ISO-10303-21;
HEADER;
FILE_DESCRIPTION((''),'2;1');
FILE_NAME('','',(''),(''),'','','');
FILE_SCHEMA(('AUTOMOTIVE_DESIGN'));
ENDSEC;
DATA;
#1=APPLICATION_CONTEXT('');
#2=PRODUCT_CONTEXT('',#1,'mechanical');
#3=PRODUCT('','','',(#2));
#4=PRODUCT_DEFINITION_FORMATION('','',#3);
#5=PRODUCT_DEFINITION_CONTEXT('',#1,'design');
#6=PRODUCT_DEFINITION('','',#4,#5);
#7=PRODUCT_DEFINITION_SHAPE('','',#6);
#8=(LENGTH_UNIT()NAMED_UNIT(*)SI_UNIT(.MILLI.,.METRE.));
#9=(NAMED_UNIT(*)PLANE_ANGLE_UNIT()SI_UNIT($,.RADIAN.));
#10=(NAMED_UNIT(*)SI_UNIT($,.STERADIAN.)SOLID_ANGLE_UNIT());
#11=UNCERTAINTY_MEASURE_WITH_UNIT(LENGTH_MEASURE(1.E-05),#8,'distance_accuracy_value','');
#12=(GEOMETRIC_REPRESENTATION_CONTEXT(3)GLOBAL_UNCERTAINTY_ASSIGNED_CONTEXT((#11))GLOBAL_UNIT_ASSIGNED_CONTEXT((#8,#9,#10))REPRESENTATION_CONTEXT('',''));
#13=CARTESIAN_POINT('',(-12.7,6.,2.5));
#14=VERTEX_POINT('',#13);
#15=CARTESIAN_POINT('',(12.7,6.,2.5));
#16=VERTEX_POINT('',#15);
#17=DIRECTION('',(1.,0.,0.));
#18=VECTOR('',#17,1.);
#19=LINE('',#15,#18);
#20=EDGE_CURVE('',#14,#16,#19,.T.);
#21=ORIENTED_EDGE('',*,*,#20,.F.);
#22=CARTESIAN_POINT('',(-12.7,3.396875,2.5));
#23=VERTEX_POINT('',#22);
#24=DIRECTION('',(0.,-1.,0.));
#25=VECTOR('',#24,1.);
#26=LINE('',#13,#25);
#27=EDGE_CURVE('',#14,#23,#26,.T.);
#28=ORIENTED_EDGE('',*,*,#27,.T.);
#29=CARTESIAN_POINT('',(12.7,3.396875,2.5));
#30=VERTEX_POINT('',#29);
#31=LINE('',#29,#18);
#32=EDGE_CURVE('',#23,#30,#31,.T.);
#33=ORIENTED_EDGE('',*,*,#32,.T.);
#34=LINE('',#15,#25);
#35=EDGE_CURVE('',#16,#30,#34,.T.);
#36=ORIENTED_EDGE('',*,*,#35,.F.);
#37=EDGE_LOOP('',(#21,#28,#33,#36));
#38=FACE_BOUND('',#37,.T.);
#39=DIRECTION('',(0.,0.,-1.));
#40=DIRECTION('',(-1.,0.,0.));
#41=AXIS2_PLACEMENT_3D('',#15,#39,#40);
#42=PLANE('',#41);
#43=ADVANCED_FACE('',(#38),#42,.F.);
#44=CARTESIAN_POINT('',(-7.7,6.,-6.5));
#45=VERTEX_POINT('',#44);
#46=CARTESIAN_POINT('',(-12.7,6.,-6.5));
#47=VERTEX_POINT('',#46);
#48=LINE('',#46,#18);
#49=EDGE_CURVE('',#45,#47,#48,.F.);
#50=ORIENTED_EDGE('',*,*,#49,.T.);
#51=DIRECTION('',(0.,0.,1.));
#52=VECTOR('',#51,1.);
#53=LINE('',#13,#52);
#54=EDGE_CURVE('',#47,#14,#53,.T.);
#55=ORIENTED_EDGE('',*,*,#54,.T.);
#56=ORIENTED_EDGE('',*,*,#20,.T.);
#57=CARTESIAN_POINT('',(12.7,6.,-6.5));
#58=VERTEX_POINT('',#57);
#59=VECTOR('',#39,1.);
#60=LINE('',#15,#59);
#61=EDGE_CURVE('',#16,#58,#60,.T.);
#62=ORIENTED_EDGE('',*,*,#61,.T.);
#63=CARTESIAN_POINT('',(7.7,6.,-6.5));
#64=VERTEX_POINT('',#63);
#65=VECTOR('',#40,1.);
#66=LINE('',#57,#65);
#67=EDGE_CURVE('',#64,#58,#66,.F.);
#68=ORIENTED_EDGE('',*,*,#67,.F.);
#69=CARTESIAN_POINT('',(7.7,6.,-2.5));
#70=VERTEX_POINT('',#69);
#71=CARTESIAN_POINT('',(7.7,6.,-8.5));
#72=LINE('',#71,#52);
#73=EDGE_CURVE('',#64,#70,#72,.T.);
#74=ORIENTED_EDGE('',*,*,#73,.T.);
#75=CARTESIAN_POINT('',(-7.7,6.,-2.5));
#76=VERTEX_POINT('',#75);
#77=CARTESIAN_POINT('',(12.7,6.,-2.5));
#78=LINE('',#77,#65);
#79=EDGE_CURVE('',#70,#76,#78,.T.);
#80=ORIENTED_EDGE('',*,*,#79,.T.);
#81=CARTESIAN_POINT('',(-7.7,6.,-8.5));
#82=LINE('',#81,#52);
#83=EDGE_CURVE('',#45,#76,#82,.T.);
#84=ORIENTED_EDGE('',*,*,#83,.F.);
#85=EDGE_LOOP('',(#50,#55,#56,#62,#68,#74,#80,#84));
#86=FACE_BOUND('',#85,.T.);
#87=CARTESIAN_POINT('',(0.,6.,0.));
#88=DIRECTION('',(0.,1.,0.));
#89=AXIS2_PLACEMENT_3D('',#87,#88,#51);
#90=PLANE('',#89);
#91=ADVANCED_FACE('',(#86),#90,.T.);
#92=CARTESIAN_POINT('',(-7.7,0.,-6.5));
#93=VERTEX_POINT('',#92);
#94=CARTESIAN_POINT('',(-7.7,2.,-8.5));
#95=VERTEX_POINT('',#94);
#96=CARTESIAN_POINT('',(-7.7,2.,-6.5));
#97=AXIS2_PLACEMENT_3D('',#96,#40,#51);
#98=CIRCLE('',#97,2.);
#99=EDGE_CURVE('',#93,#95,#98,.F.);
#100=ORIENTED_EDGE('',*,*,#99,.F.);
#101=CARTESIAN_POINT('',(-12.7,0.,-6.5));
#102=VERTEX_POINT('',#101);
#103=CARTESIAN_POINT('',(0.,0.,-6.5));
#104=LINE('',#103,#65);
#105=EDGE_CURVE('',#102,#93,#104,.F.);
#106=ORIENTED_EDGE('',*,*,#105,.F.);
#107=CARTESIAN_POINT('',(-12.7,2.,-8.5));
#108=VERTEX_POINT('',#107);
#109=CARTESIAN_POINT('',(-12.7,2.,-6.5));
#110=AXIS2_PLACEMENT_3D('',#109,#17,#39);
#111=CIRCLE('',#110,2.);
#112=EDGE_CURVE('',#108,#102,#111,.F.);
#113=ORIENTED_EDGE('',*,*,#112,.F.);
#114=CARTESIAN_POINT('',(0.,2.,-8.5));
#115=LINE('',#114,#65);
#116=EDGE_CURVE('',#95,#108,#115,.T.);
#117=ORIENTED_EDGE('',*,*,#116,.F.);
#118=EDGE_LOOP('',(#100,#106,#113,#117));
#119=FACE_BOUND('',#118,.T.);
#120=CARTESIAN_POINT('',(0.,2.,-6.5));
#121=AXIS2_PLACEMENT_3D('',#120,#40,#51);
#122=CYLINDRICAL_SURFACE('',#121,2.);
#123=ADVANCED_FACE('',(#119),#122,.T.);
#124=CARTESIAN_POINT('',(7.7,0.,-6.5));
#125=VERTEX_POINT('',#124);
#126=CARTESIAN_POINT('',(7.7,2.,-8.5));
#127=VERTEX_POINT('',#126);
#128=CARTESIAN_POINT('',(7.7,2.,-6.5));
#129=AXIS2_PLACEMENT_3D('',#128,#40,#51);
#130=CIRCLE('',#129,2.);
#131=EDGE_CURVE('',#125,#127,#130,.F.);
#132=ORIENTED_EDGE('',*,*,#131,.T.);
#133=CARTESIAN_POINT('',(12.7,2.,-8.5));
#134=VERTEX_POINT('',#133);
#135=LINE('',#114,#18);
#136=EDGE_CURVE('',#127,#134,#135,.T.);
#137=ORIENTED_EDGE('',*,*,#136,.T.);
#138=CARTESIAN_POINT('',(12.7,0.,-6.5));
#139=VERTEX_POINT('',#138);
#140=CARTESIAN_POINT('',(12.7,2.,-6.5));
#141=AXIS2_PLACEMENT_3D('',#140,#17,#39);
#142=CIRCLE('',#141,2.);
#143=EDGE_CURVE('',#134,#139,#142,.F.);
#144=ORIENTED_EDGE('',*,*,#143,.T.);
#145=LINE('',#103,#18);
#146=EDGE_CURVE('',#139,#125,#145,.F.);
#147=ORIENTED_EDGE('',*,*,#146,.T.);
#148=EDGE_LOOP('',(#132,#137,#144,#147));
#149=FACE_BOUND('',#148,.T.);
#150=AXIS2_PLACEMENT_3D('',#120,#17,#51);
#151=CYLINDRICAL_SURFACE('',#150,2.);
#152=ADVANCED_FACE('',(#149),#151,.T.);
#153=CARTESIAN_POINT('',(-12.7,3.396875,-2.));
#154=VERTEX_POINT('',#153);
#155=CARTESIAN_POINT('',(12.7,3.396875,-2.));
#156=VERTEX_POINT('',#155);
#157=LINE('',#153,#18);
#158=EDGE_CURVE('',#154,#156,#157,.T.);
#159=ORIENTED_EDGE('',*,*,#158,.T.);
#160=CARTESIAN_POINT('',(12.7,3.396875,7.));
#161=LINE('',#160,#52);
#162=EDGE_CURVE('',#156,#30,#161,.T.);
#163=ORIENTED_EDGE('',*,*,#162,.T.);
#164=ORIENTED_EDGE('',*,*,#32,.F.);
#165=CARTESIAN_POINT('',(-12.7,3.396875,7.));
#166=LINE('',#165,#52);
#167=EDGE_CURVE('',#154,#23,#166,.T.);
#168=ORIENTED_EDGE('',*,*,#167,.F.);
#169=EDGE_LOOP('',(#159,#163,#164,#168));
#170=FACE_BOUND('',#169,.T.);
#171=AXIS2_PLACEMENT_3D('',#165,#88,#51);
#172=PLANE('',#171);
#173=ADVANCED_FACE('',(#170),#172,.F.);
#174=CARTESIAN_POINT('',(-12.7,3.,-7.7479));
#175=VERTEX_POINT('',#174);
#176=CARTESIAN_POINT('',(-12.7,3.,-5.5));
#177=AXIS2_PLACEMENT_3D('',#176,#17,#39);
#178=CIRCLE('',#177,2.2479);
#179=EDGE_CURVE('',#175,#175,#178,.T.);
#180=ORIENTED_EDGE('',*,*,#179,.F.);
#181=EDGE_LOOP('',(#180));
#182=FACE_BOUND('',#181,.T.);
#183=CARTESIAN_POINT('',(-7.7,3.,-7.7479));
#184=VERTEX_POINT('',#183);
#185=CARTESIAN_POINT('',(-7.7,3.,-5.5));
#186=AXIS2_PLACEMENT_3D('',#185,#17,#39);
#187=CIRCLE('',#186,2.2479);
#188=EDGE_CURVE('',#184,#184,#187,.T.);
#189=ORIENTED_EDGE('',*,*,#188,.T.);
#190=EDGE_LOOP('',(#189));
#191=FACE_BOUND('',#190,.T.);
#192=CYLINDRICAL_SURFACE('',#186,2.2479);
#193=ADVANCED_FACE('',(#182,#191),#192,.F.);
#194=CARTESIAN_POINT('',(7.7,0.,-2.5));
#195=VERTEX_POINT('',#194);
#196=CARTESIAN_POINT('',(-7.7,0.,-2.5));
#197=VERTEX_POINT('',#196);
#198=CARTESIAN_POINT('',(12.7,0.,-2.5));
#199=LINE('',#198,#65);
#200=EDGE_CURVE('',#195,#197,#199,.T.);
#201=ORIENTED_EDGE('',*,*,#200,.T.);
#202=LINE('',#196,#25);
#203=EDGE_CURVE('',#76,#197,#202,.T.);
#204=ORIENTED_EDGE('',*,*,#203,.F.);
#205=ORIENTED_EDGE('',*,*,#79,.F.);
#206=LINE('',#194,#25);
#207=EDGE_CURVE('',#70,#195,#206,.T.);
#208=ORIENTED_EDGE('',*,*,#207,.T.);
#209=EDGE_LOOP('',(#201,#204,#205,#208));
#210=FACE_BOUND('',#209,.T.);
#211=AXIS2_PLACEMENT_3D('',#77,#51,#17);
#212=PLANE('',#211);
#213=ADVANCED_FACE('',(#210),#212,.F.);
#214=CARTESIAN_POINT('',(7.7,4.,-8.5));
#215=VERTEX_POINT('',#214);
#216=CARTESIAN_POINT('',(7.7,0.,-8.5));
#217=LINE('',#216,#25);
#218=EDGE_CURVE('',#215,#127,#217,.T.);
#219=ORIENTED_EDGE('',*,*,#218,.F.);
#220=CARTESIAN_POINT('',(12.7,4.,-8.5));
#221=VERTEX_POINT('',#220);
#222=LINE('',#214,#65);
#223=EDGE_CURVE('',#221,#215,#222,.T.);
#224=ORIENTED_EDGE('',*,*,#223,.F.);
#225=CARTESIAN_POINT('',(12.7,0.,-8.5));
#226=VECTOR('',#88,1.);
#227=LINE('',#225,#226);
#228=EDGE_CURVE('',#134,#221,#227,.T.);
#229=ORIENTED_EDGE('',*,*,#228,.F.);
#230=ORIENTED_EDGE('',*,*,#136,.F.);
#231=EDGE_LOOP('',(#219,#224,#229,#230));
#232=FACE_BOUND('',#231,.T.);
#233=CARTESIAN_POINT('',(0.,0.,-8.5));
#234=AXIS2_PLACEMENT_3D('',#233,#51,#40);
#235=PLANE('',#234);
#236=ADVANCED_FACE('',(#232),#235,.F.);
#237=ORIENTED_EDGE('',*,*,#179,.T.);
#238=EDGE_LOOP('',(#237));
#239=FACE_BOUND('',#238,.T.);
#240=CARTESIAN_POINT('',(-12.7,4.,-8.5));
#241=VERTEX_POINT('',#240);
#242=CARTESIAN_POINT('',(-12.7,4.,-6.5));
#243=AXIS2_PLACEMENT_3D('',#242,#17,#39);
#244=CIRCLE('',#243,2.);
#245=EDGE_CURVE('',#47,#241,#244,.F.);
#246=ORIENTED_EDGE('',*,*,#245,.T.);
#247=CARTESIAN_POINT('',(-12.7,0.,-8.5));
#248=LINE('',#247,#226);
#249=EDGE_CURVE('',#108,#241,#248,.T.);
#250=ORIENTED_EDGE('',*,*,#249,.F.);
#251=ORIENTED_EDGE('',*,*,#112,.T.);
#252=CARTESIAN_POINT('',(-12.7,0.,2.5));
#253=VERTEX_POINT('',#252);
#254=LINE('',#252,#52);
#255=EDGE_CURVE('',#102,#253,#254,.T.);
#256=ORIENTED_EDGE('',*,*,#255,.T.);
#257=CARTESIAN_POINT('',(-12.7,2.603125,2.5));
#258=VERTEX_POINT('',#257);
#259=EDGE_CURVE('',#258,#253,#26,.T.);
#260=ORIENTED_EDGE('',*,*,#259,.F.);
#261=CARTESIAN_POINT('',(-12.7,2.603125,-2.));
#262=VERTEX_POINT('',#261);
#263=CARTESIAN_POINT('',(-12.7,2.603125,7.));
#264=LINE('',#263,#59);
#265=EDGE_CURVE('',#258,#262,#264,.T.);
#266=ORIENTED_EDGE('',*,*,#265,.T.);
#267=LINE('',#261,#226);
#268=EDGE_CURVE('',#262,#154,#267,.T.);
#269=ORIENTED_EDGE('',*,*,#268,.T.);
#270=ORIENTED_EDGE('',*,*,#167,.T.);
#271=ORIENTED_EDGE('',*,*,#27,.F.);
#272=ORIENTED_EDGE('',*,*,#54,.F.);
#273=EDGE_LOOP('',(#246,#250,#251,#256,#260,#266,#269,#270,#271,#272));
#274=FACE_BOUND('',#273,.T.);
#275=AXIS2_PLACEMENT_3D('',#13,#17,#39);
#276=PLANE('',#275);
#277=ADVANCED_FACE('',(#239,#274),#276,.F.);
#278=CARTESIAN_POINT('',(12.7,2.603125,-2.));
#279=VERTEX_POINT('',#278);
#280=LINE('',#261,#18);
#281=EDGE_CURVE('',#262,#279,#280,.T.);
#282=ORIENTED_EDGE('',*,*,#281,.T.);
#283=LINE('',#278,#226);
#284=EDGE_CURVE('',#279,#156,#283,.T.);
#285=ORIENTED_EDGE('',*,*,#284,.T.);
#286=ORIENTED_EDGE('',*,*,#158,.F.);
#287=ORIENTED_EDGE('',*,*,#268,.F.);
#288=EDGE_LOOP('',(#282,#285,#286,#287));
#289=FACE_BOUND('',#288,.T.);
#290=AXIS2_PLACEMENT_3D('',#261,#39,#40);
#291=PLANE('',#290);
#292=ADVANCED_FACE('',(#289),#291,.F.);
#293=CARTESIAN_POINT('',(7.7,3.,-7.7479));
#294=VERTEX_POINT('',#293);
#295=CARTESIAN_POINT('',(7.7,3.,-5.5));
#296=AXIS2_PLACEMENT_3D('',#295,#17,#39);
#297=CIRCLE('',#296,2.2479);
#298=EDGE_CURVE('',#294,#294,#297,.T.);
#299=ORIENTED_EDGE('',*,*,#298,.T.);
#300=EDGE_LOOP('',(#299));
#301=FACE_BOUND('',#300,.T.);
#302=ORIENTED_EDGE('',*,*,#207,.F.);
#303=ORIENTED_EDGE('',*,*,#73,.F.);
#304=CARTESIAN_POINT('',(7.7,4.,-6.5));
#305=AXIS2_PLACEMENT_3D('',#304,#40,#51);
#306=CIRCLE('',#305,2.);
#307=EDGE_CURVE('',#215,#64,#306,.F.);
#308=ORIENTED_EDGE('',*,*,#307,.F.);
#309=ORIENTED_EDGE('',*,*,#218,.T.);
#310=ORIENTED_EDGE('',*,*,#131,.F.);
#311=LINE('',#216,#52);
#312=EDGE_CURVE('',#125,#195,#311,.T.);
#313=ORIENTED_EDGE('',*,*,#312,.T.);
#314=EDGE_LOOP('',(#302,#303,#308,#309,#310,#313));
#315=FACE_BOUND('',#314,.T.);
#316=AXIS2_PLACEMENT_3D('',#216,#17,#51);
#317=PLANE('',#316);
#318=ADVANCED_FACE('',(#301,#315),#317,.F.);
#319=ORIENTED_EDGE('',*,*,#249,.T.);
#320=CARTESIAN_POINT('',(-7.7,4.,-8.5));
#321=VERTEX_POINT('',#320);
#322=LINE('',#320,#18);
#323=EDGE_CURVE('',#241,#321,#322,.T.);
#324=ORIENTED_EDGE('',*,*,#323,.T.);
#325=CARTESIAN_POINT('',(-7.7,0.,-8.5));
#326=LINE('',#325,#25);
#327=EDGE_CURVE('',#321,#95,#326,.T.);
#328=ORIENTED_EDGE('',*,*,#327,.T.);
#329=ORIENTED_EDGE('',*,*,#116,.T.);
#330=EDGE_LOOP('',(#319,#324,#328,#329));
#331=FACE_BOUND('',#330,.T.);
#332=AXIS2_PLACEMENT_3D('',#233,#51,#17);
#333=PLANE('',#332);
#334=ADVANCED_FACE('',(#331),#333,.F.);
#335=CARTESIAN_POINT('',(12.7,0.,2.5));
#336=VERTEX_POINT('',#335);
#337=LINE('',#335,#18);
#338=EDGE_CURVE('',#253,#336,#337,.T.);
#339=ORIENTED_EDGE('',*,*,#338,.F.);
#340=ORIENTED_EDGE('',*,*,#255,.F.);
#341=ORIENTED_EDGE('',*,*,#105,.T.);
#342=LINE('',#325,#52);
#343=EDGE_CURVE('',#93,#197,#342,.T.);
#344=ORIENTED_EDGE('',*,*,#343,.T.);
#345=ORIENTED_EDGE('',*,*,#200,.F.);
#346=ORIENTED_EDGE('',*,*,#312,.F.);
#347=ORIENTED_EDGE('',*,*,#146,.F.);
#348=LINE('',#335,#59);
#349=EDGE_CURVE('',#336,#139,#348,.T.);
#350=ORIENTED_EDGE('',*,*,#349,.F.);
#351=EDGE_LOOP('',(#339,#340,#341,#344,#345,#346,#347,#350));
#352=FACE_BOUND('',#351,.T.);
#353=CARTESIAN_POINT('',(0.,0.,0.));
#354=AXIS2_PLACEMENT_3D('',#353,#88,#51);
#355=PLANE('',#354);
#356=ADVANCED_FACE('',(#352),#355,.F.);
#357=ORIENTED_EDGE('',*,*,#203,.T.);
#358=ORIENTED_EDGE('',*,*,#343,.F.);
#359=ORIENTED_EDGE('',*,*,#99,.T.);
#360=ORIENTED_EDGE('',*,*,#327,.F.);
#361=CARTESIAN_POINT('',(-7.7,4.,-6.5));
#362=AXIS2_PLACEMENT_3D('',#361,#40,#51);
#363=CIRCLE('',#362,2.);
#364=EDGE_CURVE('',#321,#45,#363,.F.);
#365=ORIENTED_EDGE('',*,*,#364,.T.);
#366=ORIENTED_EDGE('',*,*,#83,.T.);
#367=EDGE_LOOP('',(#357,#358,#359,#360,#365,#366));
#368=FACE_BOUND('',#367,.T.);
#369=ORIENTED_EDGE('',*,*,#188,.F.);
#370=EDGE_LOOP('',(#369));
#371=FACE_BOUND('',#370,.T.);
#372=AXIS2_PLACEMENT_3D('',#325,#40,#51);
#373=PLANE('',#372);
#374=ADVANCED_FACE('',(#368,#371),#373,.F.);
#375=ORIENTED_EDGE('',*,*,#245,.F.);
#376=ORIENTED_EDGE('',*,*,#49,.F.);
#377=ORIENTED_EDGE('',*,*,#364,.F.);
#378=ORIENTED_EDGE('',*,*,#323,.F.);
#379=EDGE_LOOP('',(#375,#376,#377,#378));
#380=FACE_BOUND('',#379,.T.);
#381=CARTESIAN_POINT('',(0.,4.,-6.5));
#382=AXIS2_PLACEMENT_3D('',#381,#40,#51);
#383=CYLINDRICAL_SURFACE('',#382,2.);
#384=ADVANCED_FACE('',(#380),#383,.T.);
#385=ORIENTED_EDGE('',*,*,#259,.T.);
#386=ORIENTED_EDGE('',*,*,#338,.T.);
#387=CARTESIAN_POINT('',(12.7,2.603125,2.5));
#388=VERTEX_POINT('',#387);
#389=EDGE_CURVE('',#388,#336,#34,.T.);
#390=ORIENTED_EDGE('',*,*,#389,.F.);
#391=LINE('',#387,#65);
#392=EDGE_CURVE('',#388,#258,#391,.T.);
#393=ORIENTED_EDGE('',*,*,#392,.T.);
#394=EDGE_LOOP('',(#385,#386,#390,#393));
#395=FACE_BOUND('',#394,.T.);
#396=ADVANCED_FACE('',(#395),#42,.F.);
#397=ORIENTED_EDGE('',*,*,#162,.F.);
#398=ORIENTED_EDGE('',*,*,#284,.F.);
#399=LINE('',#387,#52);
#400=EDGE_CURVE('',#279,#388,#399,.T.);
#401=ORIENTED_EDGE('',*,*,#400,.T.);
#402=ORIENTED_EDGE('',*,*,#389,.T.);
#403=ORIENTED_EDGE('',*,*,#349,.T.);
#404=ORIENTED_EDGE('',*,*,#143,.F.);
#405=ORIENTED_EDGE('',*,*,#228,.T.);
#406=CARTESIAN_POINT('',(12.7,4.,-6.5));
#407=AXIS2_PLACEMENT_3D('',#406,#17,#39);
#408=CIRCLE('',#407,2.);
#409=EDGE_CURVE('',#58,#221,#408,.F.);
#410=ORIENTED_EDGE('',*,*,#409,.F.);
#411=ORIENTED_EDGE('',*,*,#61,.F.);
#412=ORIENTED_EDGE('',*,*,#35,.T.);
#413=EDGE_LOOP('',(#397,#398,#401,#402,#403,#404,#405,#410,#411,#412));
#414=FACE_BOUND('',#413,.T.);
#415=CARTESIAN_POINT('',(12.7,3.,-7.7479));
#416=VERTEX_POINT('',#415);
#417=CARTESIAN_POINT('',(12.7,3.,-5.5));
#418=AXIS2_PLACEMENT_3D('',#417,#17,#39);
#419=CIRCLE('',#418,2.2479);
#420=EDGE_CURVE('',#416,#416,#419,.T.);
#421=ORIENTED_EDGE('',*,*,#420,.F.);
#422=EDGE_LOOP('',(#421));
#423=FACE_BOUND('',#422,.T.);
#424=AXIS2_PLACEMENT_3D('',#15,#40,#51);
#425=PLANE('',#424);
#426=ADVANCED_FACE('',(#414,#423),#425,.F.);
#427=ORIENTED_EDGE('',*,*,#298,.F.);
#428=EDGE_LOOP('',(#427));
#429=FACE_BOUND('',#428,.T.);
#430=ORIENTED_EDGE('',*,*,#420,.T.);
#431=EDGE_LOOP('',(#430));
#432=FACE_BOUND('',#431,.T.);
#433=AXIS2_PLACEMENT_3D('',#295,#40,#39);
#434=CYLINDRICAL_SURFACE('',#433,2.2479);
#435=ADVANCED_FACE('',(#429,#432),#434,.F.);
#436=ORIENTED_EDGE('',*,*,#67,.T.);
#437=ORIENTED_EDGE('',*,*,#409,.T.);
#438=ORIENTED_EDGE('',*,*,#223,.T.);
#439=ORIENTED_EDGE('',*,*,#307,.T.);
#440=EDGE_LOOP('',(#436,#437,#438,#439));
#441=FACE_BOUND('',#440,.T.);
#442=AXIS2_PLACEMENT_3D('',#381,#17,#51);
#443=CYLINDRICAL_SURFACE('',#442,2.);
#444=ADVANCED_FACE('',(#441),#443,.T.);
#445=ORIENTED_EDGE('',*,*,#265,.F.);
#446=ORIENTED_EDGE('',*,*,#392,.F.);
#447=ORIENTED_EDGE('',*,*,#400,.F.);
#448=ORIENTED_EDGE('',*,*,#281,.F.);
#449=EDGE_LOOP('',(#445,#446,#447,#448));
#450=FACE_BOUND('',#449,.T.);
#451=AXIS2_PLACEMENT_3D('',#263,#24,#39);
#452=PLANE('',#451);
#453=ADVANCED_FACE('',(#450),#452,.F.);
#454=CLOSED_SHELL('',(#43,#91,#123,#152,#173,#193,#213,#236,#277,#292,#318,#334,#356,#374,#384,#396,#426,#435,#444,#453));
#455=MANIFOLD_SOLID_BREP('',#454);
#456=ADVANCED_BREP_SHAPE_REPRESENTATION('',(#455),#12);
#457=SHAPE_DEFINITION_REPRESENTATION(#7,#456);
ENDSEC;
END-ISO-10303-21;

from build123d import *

# Parameters (mm, degrees)
SKETCH1_W             = 25.4
SKETCH1_H             = 5
BOSS_EXTRUDE1_DEPTH   = 6
SKETCH2_W             = 9
SKETCH2_H             = 0.79375
CUT_EXTRUDE1_DEPTH    = 27.218504915
SKETCH6_W             = 5
SKETCH6_H             = 6
BOSS_EXTRUDE2_DEPTH   = 6
F_8_CLEARANCE_HOLE1_D = 4.4958
FILLET1_R             = 2


with BuildPart() as part:
    # Sketch1 → Boss-Extrude1 (new body)
    with BuildSketch(Plane(origin=(0, 0, 0), x_dir=(1, 0, 0), z_dir=(0, 1, 0))):
        Rectangle(SKETCH1_W, SKETCH1_H)
    extrude(amount=BOSS_EXTRUDE1_DEPTH)

    # Sketch2 → Cut-Extrude1 (cut, through all)
    with BuildSketch(Plane(origin=(12.7, 0, 0), x_dir=(0, 0, -1), z_dir=(1, 0, 0))):
        with Locations((-2.5, 3)):
            Rectangle(SKETCH2_W, SKETCH2_H)
    extrude(amount=-CUT_EXTRUDE1_DEPTH, mode=Mode.SUBTRACT)

    # Sketch6 → Boss-Extrude2 (add)
    with BuildSketch(Plane(origin=(0, 0, -2.5), x_dir=(-1, 0, 0), z_dir=(0, 0, -1))):
        with Locations((10.2, 3)):
            Rectangle(SKETCH6_W, SKETCH6_H)
    extrude(amount=BOSS_EXTRUDE2_DEPTH)

    # #8 Clearance Hole1 (through all)
    with Locations(Plane(origin=(-7.7, 0, 0), x_dir=(0, 0, -1), z_dir=(1, 0, 0))):
        with Locations((5.5, 3)):
            Hole(F_8_CLEARANCE_HOLE1_D / 2)

    # Fillet1
    fillet1_edges = [part.edges().sort_by_distance(p)[0] for p in [
        (-10.2, 6, -8.5),
        (-10.2, 0, -8.5),
    ]]
    fillet(fillet1_edges, radius=FILLET1_R)

    # Mirror1: part across plane


with BuildPart() as part_1:
    add(part.part)
    add(part.part.mirror(Plane(origin=(0, 0, 0), x_dir=(0, 0, 1), z_dir=(1, 0, 0))))


solid = part_1.part
